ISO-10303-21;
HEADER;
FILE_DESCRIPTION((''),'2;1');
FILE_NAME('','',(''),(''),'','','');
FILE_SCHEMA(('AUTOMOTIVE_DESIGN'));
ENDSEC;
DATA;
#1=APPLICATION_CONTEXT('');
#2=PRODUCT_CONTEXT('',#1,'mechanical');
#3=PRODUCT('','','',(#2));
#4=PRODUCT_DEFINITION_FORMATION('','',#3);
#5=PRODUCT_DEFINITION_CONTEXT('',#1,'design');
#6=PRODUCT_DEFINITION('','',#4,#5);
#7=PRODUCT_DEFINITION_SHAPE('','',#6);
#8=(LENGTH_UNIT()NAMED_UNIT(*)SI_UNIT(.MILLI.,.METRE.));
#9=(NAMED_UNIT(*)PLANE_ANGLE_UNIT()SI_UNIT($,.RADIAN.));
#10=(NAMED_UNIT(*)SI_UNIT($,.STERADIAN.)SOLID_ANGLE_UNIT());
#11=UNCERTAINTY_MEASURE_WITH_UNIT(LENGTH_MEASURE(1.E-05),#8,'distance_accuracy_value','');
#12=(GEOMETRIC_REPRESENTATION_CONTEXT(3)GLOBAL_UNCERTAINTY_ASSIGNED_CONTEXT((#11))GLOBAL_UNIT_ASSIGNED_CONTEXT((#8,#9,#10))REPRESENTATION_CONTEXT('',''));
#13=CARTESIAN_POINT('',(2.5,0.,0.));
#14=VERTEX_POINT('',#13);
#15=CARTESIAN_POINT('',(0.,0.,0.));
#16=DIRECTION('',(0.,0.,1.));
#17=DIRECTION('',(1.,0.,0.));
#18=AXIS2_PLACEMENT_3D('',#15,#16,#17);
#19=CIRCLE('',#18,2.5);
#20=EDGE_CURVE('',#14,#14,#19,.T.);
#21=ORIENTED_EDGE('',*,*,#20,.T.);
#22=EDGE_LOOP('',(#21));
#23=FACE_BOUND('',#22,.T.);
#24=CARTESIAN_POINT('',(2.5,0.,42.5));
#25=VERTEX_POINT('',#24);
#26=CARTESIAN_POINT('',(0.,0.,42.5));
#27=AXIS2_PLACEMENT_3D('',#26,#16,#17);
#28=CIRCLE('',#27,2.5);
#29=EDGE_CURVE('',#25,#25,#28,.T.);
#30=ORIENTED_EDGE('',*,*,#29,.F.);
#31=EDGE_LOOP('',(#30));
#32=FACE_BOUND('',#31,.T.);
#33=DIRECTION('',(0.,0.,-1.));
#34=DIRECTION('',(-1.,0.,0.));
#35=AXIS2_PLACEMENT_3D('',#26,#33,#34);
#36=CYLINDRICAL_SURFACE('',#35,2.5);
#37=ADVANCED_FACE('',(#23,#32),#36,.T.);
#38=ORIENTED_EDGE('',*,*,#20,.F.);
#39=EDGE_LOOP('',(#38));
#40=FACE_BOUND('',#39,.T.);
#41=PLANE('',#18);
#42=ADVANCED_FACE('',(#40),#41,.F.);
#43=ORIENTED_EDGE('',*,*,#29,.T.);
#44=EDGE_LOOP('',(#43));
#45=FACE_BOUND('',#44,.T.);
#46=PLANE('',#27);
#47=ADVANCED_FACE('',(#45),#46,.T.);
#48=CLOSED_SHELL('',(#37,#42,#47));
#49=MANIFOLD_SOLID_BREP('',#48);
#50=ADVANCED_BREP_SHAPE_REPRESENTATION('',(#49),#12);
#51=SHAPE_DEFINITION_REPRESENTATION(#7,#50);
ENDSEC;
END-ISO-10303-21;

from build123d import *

# Parameters (mm, degrees)
SKETCH1_R           = 2.5
BOSS_EXTRUDE1_DEPTH = 42.5


with BuildPart() as part:
    # Sketch1 → Boss-Extrude1 (new body)
    with BuildSketch(Plane.XY):
        Circle(SKETCH1_R)
    extrude(amount=BOSS_EXTRUDE1_DEPTH)


solid = part.part
